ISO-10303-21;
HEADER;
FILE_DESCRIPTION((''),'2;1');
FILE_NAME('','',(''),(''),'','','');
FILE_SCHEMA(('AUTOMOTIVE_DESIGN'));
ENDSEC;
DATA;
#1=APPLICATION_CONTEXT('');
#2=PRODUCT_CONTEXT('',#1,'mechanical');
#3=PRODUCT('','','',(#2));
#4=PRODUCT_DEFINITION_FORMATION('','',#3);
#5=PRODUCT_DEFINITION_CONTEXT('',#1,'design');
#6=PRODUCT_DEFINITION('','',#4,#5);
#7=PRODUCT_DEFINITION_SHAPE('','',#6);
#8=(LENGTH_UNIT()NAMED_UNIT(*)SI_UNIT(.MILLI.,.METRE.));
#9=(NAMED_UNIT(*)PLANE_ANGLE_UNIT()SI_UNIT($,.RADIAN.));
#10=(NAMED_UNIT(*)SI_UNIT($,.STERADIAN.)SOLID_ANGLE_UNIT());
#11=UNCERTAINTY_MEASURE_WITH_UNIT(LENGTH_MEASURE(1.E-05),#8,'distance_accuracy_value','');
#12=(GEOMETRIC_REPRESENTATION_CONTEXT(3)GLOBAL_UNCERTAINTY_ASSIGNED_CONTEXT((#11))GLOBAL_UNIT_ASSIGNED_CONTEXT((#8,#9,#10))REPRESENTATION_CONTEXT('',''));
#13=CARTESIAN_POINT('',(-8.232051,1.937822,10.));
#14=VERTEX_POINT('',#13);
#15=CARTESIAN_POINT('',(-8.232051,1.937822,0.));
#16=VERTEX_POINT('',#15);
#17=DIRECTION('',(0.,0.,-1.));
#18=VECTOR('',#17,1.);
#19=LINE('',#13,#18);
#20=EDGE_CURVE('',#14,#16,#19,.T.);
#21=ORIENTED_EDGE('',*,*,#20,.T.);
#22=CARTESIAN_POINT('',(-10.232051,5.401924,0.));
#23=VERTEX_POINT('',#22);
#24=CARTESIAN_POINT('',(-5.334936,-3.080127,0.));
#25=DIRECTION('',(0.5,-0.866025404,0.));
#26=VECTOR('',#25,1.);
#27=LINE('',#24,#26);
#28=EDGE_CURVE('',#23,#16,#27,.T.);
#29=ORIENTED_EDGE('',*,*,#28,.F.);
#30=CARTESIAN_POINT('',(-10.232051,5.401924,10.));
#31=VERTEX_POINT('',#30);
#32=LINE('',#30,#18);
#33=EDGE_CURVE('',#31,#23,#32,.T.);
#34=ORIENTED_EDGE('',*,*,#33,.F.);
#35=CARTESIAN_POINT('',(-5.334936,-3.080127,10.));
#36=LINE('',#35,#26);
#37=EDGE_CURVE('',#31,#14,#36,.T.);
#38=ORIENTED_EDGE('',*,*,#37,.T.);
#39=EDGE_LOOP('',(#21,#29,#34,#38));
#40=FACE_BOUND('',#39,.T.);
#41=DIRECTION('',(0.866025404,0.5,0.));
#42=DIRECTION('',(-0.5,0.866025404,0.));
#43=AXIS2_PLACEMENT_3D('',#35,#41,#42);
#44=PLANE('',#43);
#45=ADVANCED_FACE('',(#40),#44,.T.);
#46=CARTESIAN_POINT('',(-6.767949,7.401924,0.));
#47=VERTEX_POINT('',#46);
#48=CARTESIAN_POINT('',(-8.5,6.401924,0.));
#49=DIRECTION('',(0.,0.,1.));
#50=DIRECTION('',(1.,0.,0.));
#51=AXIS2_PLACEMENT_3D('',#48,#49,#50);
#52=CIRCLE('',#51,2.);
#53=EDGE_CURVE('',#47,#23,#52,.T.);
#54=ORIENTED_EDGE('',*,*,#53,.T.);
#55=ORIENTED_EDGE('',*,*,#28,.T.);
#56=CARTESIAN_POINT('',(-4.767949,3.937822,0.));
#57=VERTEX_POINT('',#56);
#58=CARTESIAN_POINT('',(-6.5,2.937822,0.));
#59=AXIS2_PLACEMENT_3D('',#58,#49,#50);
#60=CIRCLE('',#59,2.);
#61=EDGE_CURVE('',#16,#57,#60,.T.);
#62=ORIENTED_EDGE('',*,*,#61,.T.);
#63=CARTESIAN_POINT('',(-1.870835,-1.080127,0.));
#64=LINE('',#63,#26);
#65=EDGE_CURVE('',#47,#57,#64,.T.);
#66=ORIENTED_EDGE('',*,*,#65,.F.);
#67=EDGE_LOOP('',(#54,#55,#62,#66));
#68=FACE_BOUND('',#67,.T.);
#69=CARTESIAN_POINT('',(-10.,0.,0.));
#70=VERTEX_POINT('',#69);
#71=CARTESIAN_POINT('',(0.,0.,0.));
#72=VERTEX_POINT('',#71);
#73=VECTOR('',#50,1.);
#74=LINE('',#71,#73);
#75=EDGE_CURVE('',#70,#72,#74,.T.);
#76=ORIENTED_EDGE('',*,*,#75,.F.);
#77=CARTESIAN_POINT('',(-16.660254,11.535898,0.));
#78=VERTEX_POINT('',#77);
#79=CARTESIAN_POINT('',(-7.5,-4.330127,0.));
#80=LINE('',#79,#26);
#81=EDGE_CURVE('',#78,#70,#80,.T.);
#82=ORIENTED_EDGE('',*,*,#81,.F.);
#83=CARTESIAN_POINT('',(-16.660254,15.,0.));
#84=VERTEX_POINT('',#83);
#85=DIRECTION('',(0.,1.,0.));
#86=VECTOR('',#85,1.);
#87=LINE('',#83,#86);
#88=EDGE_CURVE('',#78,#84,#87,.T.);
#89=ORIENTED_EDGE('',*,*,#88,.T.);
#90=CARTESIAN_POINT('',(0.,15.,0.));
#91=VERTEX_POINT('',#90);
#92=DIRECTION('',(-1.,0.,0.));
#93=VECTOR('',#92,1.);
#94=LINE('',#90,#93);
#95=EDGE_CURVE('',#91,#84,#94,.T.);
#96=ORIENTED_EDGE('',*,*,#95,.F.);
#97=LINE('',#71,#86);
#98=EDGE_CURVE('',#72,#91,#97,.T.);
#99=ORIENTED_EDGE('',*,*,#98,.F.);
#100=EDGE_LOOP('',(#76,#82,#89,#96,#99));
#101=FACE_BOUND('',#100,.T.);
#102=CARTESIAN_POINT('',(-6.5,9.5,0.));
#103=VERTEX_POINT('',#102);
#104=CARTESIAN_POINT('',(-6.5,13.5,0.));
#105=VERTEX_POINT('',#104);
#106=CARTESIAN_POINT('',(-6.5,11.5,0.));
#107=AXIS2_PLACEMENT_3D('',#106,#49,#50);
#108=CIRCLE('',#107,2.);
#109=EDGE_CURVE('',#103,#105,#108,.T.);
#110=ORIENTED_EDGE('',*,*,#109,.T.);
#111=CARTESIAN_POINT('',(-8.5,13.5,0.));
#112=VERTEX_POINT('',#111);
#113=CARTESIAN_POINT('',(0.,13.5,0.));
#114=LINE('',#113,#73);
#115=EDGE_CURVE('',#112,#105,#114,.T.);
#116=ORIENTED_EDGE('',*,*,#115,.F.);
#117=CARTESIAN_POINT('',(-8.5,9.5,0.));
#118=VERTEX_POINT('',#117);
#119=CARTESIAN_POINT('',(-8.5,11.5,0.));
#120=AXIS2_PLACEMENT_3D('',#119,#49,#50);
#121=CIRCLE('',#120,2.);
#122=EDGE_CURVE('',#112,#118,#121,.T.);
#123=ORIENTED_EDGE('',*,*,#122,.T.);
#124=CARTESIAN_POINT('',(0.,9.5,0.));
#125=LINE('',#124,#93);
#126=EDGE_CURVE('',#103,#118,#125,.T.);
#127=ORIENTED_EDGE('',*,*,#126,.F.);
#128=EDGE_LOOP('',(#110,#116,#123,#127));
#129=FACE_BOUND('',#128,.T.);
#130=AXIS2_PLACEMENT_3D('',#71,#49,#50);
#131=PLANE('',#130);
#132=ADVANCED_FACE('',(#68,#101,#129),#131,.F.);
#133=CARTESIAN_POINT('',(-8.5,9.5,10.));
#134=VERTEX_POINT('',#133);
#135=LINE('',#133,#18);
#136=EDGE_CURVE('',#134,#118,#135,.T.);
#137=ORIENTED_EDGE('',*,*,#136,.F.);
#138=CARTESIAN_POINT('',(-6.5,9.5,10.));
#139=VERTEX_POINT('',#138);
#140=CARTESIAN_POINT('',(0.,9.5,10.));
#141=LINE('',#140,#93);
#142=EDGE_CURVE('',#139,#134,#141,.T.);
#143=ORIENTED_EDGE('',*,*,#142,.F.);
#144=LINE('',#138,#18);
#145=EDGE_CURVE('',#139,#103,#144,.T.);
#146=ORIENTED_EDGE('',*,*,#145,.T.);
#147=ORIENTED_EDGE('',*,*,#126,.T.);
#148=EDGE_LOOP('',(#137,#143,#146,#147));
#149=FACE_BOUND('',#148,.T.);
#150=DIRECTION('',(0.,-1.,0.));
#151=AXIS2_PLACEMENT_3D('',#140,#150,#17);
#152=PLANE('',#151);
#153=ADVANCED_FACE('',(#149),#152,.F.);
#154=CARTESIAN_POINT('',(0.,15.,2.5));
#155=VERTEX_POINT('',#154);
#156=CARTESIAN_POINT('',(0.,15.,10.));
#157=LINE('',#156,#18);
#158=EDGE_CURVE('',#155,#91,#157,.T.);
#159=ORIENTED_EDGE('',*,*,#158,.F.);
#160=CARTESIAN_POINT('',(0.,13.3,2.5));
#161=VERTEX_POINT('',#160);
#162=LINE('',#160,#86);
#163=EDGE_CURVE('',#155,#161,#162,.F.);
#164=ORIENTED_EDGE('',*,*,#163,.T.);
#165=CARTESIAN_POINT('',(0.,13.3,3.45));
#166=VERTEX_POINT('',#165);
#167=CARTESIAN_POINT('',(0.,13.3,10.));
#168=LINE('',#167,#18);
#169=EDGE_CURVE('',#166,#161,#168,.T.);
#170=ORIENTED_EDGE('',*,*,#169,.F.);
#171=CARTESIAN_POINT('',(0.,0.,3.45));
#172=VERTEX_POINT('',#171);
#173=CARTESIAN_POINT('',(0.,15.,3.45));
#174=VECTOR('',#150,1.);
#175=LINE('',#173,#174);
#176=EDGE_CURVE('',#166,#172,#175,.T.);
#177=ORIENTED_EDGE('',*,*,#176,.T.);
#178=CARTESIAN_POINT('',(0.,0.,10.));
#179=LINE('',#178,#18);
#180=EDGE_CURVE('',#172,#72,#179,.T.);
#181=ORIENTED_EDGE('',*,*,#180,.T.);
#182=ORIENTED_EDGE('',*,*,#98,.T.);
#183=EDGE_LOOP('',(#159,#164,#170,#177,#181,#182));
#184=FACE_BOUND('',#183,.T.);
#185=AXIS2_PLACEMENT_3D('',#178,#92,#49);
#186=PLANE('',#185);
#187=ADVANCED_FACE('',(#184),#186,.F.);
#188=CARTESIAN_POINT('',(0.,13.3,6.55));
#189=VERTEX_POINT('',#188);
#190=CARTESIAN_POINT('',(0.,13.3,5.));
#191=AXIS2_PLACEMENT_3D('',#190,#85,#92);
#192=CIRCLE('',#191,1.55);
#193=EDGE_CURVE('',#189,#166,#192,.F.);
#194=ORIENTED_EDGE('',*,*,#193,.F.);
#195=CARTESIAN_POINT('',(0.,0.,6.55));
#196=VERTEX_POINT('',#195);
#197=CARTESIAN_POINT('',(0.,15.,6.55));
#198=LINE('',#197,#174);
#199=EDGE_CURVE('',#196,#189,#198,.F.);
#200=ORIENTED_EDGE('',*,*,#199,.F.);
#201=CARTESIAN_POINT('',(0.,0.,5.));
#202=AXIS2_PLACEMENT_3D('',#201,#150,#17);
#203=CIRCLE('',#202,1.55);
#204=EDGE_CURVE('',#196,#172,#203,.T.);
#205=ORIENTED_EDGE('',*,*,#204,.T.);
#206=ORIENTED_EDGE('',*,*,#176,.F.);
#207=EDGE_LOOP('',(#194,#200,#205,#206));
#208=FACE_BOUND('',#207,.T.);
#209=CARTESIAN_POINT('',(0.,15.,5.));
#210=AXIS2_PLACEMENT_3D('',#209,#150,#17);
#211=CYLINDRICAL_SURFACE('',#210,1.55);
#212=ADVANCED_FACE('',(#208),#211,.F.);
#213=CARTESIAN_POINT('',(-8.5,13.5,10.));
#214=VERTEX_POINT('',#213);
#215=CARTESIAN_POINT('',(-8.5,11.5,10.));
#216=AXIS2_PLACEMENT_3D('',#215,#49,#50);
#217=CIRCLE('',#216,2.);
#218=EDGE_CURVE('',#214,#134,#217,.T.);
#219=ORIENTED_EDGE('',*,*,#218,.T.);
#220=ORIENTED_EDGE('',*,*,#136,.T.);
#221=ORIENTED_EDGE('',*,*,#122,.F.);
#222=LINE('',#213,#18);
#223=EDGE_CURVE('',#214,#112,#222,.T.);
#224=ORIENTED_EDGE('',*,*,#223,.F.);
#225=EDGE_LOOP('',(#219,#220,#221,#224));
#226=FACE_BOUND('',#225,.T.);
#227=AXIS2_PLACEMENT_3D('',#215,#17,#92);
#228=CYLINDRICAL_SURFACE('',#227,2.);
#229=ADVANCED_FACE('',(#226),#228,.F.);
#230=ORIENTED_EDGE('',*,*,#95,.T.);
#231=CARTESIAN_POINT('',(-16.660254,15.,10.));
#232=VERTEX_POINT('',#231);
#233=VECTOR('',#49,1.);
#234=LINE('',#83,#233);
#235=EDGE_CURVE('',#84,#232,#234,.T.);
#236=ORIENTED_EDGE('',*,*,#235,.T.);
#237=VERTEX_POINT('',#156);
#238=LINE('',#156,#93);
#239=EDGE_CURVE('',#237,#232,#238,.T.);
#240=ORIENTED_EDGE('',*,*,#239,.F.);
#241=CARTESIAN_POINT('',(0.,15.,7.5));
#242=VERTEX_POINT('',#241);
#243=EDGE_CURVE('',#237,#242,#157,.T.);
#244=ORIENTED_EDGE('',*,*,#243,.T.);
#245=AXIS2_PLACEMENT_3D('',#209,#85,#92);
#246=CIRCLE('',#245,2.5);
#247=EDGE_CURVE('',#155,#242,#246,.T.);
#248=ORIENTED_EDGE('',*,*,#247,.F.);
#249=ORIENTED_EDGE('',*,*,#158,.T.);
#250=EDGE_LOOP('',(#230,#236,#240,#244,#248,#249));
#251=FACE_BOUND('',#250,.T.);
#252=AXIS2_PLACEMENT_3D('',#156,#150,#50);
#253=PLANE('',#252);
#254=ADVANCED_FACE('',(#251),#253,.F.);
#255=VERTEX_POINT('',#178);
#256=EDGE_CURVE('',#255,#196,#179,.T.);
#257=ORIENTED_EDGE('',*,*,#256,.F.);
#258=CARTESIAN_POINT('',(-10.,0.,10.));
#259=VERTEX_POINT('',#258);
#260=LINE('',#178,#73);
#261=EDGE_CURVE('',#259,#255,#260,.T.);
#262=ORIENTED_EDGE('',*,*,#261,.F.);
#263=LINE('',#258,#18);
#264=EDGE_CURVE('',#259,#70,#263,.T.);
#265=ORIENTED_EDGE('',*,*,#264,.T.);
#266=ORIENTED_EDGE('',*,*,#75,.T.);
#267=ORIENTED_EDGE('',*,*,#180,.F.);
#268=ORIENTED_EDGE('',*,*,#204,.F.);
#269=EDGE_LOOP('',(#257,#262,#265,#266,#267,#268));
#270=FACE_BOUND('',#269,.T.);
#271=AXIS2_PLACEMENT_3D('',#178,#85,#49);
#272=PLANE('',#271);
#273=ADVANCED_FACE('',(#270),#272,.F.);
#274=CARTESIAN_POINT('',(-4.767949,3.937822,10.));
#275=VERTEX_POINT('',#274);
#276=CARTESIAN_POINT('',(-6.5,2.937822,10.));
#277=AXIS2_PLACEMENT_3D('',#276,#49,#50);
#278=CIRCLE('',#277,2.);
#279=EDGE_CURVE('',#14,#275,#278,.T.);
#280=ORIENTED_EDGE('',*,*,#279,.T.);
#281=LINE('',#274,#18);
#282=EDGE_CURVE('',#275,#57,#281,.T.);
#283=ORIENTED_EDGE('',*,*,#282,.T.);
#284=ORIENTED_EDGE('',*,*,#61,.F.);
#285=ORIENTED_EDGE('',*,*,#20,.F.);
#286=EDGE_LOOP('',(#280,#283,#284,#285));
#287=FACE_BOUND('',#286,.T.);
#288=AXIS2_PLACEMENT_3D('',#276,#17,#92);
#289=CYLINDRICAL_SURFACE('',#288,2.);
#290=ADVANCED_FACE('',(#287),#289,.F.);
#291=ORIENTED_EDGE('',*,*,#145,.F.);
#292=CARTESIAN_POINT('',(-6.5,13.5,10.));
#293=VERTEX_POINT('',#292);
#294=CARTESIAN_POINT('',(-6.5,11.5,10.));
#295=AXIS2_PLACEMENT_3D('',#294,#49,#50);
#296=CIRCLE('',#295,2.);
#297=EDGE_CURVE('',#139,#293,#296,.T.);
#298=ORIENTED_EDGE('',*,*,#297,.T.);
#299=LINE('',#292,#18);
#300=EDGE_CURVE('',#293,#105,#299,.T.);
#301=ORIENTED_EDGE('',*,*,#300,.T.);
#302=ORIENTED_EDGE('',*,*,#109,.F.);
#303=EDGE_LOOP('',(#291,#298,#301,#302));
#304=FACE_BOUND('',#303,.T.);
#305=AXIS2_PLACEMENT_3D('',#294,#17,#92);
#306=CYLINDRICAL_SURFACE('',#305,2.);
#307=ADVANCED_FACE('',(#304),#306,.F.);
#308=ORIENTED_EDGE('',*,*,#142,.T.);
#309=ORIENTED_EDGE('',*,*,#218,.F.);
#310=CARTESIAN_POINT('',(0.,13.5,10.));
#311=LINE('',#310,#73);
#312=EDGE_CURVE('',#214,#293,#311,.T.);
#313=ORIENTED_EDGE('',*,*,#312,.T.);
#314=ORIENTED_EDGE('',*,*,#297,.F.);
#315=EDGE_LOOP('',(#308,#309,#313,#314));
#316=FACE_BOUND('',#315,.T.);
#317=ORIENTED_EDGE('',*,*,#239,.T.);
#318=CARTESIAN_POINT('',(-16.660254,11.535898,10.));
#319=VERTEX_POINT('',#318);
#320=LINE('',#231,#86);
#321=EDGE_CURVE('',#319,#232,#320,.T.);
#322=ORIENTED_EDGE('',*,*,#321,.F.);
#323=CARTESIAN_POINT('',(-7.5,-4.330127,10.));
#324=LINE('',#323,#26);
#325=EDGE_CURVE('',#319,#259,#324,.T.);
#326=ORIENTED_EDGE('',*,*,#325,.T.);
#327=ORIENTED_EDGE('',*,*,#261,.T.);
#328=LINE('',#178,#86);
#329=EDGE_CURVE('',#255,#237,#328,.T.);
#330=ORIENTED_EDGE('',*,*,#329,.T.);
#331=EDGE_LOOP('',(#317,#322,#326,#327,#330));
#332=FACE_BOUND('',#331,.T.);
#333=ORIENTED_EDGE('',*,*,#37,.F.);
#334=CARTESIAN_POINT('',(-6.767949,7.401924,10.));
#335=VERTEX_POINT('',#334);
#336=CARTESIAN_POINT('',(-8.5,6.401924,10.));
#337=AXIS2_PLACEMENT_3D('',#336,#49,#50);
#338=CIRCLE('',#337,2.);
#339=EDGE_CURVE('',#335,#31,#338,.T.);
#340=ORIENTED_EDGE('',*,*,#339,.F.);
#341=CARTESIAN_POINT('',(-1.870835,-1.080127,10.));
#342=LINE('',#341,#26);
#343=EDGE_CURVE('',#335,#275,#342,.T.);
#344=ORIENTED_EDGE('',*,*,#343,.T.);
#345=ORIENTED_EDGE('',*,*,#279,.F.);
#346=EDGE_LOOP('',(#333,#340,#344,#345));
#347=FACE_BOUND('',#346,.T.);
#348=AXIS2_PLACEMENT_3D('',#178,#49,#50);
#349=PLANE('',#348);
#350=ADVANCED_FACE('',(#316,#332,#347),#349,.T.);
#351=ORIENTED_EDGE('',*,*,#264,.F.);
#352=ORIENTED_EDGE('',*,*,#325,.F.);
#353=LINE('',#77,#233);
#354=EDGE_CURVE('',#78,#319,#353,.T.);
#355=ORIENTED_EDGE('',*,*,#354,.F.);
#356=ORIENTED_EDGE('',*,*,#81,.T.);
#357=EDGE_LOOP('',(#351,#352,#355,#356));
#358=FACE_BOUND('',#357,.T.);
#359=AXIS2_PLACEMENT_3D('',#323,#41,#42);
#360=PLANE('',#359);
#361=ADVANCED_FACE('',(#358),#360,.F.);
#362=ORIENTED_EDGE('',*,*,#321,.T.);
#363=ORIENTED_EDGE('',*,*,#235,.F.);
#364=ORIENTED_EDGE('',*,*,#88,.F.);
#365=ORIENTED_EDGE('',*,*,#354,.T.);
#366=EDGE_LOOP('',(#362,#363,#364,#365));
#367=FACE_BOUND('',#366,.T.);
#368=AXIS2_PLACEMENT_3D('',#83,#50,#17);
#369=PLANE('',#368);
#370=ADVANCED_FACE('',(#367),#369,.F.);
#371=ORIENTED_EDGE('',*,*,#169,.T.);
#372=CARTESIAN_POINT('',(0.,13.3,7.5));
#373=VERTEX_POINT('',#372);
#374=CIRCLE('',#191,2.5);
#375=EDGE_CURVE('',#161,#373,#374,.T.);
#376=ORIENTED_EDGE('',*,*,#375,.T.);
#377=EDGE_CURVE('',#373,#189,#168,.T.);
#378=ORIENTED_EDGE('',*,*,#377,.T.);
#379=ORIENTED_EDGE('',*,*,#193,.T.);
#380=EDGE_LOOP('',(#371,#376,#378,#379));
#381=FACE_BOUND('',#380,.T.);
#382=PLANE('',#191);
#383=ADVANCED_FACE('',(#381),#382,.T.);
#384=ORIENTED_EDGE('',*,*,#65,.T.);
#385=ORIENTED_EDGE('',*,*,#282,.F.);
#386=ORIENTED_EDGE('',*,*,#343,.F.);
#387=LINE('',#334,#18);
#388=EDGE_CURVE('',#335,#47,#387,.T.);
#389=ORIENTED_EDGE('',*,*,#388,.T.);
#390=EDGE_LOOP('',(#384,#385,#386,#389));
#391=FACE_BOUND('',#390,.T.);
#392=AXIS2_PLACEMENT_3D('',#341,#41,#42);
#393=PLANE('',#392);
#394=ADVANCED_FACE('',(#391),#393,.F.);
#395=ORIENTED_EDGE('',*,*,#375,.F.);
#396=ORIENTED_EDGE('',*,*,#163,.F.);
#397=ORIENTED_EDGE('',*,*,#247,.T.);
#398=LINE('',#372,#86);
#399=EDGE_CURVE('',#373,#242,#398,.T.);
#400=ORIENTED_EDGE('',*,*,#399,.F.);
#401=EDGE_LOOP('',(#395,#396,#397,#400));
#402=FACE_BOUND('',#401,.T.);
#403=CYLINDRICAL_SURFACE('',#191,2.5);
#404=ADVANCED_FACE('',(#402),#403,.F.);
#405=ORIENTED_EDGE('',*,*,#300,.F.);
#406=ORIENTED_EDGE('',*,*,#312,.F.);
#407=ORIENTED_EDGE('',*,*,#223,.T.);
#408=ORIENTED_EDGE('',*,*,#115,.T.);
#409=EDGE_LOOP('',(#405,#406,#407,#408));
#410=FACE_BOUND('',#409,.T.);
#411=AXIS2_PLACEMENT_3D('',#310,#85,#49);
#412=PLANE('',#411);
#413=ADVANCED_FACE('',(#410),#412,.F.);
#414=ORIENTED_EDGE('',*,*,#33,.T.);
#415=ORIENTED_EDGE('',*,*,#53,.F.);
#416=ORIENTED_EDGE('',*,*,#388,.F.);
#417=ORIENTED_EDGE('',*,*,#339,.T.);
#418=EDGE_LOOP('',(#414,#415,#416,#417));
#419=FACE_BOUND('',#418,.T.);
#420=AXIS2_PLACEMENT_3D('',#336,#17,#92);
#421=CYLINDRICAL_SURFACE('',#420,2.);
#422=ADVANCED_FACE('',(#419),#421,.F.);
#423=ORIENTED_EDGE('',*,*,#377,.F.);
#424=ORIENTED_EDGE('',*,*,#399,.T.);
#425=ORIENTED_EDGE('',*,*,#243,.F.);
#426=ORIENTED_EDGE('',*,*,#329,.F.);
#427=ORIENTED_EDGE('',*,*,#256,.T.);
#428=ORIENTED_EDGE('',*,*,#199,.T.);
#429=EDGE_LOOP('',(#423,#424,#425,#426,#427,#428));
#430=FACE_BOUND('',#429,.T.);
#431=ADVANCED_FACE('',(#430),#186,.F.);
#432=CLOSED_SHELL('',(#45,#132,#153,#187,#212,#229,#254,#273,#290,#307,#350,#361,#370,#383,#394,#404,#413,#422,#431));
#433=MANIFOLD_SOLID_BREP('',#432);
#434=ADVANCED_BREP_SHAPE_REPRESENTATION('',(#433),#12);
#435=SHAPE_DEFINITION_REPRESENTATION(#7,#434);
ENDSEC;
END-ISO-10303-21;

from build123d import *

# Parameters (mm, degrees)
EXTRUDE_1_DEPTH     = 10
SKETCH_2_R          = 1.55
CUT_EXTRUDE_1_DEPTH = 26.946195882
SKETCH_3_R          = 2.5
CUT_EXTRUDE_2_DEPTH = 1.7
CUT_EXTRUDE_3_DEPTH = 26.946195882


with BuildPart() as part:
    # 스케치1 → 보스-돌출1 (new body)
    with BuildSketch(Plane.XY):
        Polygon((-10, 0), (0, 0), (0, 15), (-18.660254038, 15), align=None)
        with BuildLine():
            ThreePointArc((-10.232050808, 5.401923789), (-9.5, 8.133974596), (-6.767949192, 7.401923789))
            Line((-6.767949192, 7.401923789), (-4.767949192, 3.937822174))
            ThreePointArc((-4.767949192, 3.937822174), (-4.568148347, 3.455460264), (-4.5, 2.937822174))
            ThreePointArc((-4.5, 2.937822174), (-5.98236191, 1.005970521), (-8.232050808, 1.937822174))
            Line((-8.232050808, 1.937822174), (-10.232050808, 5.401923789))
        make_face(mode=Mode.SUBTRACT)
        with BuildLine():
            ThreePointArc((-8.5, 9.5), (-10.5, 11.5), (-8.5, 13.5))
            Line((-8.5, 13.5), (-6.5, 13.5))
            ThreePointArc((-6.5, 13.5), (-5.085786438, 12.914213562), (-4.5, 11.5))
            ThreePointArc((-4.5, 11.5), (-5.085786438, 10.085786438), (-6.5, 9.5))
            Line((-6.5, 9.5), (-8.5, 9.5))
        make_face(mode=Mode.SUBTRACT)
    extrude(amount=EXTRUDE_1_DEPTH)

    # 스케치2 → 컷-돌출1 (cut, through all)
    with BuildSketch(Plane.XZ):
        with Locations((0, 5)):
            Circle(SKETCH_2_R)
    extrude(amount=-CUT_EXTRUDE_1_DEPTH, mode=Mode.SUBTRACT)

    # 스케치3 → 컷-돌출2 (cut)
    with BuildSketch(Plane(origin=(0, 15, 0), x_dir=(1, 0, 0), z_dir=(0, 1, 0))):
        with Locations((0, -5)):
            Circle(SKETCH_3_R)
    extrude(amount=-CUT_EXTRUDE_2_DEPTH, mode=Mode.SUBTRACT)

    # 스케치4 → 컷-돌출3 (cut, through all)
    with BuildSketch(Plane.XY.offset(10)):
        Polygon((-18.660254038, 15), (-16.660254038, 15), (-16.660254038, 11.535898385), align=None)
    extrude(amount=-CUT_EXTRUDE_3_DEPTH, mode=Mode.SUBTRACT)


solid = part.part
